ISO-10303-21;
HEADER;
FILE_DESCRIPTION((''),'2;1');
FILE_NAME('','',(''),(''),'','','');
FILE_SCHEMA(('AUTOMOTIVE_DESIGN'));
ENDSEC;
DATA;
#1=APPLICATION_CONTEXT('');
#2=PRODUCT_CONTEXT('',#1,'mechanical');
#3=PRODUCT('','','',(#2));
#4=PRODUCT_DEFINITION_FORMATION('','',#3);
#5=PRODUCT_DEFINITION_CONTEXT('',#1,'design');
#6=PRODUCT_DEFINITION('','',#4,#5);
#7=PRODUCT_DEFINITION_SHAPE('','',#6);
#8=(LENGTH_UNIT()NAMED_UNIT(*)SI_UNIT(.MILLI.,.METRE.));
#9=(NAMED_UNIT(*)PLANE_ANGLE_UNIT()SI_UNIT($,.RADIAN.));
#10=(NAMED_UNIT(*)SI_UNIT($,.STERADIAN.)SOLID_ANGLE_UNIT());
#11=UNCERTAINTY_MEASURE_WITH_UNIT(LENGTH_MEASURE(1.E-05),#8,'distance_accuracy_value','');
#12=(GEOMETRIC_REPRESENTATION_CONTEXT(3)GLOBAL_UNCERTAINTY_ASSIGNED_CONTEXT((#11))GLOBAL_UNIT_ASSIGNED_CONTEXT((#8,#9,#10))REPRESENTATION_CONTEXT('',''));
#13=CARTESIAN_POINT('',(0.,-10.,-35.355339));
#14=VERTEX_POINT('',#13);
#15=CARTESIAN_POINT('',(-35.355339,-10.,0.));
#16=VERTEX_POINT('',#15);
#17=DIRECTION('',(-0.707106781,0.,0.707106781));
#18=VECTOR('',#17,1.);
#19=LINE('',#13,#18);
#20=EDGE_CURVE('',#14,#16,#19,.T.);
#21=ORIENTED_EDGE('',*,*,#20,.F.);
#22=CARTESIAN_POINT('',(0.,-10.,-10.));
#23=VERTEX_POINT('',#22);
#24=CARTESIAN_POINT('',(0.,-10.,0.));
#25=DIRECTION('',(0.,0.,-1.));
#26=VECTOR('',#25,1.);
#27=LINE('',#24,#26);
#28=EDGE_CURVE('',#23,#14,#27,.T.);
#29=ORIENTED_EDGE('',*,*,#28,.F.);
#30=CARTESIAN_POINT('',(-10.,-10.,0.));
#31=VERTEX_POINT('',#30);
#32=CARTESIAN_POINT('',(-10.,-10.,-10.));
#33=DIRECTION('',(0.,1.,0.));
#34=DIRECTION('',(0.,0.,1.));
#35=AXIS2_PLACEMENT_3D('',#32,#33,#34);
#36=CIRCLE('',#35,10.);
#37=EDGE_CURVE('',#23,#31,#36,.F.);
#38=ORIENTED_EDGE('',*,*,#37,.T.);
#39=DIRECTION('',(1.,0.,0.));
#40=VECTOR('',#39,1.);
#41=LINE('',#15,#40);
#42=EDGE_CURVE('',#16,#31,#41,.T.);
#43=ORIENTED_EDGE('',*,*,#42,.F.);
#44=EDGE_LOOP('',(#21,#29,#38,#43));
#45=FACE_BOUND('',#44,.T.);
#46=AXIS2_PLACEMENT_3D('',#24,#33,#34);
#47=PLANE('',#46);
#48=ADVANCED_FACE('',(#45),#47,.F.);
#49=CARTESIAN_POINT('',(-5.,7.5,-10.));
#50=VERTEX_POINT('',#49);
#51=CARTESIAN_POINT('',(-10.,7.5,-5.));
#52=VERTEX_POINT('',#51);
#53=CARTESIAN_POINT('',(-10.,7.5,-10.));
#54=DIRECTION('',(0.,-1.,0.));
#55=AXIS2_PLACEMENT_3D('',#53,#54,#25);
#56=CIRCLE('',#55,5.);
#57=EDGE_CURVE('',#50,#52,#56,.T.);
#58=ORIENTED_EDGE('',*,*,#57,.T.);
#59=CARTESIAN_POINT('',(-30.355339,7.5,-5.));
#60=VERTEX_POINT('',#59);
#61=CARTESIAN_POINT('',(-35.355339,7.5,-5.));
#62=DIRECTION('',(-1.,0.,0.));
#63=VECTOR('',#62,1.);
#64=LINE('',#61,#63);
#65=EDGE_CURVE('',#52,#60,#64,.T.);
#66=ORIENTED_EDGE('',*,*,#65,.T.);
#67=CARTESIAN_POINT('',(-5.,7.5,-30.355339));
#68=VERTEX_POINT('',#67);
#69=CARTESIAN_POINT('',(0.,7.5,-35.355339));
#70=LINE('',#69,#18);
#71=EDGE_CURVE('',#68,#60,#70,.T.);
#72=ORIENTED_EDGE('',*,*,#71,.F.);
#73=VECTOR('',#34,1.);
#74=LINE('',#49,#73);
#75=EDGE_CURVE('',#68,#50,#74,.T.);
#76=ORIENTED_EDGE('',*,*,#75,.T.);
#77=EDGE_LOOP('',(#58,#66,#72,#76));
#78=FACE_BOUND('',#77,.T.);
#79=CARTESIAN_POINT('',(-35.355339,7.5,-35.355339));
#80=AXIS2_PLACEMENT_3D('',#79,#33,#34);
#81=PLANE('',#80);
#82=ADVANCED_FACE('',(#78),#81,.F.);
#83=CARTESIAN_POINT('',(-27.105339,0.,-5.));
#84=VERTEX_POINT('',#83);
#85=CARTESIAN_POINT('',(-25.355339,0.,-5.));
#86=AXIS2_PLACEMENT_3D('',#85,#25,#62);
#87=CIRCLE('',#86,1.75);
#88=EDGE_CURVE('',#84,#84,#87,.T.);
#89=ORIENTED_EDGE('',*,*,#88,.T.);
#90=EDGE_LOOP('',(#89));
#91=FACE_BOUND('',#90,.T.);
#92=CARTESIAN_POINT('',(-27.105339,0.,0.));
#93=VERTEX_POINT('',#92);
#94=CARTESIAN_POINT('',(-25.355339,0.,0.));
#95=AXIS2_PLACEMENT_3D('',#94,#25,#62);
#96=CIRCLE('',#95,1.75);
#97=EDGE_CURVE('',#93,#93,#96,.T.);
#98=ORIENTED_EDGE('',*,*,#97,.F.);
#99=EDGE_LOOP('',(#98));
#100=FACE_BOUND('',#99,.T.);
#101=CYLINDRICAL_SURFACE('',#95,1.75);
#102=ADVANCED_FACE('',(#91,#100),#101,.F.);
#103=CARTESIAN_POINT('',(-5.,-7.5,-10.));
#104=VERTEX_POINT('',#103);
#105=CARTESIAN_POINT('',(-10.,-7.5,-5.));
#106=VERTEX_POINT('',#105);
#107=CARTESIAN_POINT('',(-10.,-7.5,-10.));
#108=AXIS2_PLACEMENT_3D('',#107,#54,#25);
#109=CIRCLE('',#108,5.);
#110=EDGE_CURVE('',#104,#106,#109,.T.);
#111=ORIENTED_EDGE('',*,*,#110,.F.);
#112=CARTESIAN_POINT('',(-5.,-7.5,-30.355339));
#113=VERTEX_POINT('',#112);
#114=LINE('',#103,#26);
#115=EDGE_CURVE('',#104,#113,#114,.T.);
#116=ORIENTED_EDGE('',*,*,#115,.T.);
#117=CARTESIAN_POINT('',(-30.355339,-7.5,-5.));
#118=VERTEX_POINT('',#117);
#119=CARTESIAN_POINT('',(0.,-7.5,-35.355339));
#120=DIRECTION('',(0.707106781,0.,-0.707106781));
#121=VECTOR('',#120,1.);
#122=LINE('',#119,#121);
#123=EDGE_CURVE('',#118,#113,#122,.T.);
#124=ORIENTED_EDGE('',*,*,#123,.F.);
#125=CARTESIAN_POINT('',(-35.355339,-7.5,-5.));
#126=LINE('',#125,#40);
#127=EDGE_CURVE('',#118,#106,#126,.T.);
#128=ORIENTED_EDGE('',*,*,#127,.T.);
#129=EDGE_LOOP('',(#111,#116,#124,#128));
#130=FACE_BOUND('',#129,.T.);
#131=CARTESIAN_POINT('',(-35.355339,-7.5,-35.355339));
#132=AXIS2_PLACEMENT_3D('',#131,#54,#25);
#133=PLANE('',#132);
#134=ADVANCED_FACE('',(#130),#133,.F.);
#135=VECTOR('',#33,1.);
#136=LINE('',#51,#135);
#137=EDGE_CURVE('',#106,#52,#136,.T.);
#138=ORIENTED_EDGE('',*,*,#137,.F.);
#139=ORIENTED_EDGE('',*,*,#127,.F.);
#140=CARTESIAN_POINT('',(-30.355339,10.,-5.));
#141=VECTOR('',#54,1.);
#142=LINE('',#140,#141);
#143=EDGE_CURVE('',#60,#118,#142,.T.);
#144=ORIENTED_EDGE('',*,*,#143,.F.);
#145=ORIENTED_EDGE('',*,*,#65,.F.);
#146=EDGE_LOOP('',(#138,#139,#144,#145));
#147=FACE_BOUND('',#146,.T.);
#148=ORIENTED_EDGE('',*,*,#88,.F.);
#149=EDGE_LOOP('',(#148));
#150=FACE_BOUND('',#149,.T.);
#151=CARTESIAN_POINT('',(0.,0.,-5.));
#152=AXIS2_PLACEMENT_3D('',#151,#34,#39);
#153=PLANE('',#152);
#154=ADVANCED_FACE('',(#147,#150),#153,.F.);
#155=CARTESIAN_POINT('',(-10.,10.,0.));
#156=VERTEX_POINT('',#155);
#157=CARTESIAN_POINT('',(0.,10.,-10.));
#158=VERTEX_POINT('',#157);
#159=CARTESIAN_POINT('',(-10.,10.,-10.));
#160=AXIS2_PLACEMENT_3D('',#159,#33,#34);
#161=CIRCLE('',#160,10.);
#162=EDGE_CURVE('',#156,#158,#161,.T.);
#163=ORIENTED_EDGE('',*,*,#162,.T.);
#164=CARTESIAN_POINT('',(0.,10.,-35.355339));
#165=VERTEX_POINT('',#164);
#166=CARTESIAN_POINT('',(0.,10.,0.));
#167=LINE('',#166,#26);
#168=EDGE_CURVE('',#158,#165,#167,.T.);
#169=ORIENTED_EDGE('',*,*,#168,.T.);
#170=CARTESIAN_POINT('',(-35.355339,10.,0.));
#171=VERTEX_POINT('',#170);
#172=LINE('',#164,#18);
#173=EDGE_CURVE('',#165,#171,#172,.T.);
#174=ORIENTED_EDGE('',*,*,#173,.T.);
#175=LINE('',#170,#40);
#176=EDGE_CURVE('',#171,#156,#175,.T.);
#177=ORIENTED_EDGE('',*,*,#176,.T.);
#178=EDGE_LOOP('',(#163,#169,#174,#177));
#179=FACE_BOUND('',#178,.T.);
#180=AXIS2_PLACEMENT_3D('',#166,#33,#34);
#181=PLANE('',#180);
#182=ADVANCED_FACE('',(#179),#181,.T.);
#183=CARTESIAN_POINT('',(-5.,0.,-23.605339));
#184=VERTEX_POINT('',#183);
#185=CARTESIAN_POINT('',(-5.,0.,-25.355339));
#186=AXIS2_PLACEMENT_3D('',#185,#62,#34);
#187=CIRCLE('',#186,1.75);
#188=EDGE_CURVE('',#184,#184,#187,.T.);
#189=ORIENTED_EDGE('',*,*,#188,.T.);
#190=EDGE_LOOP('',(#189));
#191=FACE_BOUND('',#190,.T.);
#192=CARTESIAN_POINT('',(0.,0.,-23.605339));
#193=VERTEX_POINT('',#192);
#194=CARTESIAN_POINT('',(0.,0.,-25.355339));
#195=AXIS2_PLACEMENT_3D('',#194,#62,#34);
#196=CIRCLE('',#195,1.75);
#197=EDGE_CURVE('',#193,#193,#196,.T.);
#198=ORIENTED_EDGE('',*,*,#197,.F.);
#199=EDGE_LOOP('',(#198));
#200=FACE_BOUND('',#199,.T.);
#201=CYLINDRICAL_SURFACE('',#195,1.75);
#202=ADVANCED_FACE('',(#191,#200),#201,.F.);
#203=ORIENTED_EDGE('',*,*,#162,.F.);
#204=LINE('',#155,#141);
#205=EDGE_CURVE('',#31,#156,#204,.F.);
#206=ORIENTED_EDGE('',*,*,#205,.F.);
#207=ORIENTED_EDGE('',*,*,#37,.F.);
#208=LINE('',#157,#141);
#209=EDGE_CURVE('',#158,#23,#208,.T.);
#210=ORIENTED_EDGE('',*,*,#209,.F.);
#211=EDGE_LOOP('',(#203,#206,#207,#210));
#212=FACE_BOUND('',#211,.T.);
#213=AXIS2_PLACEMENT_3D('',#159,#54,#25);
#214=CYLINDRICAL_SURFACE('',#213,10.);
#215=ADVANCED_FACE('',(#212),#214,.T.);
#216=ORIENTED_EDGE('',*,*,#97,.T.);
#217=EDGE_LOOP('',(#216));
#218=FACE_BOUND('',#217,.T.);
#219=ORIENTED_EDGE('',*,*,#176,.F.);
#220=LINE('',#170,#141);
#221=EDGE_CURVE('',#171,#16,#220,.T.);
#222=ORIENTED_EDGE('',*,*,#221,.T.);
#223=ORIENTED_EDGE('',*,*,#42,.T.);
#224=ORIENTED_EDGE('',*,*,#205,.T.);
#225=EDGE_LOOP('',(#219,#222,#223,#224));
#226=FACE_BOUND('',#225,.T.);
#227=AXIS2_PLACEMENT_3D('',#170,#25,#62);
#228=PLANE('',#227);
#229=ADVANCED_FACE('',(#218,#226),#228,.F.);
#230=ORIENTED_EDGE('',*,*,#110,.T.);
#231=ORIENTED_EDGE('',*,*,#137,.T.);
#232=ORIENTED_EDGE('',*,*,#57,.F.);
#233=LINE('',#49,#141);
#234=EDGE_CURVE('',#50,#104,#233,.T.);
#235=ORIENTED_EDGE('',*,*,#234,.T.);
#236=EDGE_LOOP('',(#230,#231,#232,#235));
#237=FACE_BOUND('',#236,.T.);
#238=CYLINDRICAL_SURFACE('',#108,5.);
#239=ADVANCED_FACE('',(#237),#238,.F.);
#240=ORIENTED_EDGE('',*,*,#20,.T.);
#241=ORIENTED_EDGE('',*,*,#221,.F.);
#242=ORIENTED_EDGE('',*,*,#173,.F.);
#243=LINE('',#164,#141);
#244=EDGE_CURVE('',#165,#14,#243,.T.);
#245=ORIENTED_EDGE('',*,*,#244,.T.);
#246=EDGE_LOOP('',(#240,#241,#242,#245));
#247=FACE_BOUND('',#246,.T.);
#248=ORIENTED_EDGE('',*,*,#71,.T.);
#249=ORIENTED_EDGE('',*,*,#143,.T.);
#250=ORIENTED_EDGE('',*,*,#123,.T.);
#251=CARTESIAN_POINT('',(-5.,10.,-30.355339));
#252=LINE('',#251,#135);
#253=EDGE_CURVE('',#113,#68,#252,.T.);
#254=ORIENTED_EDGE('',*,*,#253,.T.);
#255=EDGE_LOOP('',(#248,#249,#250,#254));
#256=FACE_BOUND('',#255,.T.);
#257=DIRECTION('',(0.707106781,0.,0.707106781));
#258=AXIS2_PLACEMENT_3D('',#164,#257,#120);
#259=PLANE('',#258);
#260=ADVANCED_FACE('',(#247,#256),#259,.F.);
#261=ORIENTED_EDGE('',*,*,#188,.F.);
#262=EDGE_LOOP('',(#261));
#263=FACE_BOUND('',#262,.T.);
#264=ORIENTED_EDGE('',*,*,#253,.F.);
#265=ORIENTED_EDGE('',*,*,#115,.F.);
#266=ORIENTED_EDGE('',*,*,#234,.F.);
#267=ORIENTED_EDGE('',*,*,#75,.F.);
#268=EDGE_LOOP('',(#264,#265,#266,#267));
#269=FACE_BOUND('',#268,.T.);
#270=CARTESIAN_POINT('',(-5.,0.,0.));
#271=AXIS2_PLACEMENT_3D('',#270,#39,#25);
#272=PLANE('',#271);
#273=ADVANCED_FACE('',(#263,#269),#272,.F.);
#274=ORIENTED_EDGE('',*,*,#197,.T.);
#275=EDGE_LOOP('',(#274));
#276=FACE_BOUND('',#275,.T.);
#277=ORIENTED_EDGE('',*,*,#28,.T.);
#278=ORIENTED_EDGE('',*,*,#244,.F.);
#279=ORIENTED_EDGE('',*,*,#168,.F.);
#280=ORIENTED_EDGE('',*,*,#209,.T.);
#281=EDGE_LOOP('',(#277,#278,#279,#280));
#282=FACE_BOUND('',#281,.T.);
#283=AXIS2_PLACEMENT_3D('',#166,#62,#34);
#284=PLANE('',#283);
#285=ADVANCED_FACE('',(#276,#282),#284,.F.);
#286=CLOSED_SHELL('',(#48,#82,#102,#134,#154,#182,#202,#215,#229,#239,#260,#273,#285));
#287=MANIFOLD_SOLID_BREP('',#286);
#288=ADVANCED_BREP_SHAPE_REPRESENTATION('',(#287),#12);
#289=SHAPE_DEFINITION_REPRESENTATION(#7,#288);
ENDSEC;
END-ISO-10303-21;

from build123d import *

# Parameters (mm, degrees)
BOSS_EXTRUDE1_DEPTH = 10
FILLET1_R           = 10
CUT_EXTRUDE1_START  = -5
SKETCH5_W           = 25.355339059
SKETCH5_H           = 15
CUT_EXTRUDE1_DEPTH  = 31.355339059
CUT_EXTRUDE3_START  = -5
SKETCH6_W           = 25.355339059
SKETCH6_H           = 15
CUT_EXTRUDE3_DEPTH  = 31.355339059
SKETCH8_W           = 5
SKETCH8_H           = 15
SKETCH9_R           = 1.75
CUT_EXTRUDE4_DEPTH  = 6
SKETCH10_R          = 1.75
CUT_EXTRUDE5_DEPTH  = 6


with BuildPart() as part:
    # Sketch1 → Boss-Extrude1 (new body, symmetric)
    with BuildSketch(Plane(origin=(0, 0, 0), x_dir=(1, 0, 0), z_dir=(0, 1, 0))):
        Polygon((0, 0), (0, 35.355339059), (-35.355339059, 0), align=None)
    extrude(amount=BOSS_EXTRUDE1_DEPTH, both=True)

    # Fillet1
    fillet1_edges = [part.edges().sort_by_distance(p)[0] for p in [
        (0, 0, 0),
    ]]
    fillet(fillet1_edges, radius=FILLET1_R)

    # Sketch5 → Cut-Extrude1 (cut, through all)
    with BuildSketch(Plane.XY.offset(CUT_EXTRUDE1_START)):
        with Locations((-22.67766953, 0)):
            Rectangle(SKETCH5_W, SKETCH5_H)
    extrude(amount=-CUT_EXTRUDE1_DEPTH, mode=Mode.SUBTRACT)

    # Sketch6 → Cut-Extrude3 (cut, through all)
    with BuildSketch(Plane(origin=(0, 0, 0), x_dir=(0, 0, -1), z_dir=(1, 0, 0)).offset(CUT_EXTRUDE3_START)):
        with Locations((22.67766953, 0)):
            Rectangle(SKETCH6_W, SKETCH6_H)
    extrude(amount=-CUT_EXTRUDE3_DEPTH, mode=Mode.SUBTRACT)

    # Sketch8 → Cut-Revolve2 (revolve, cut)
    with BuildSketch(Plane(origin=(0, 0, -10), x_dir=(-1, 0, 0), z_dir=(0, 0, -1))):
        with Locations((7.5, 0)):
            Rectangle(SKETCH8_W, SKETCH8_H)
    revolve(axis=Axis((-10, -7.5, -10), (0, 1, 0)), mode=Mode.SUBTRACT)

    # Sketch9 → Cut-Extrude4 (cut, through all)
    with BuildSketch(Plane.ZY.offset(5)):
        with Locations((-25.355339059, 0)):
            Circle(SKETCH9_R)
    extrude(amount=-CUT_EXTRUDE4_DEPTH, mode=Mode.SUBTRACT)

    # Sketch10 → Cut-Extrude5 (cut, through all)
    with BuildSketch(Plane(origin=(0, 0, -5), x_dir=(-1, 0, 0), z_dir=(0, 0, -1))):
        with Locations((25.355339059, 0)):
            Circle(SKETCH10_R)
    extrude(amount=-CUT_EXTRUDE5_DEPTH, mode=Mode.SUBTRACT)


solid = part.part
